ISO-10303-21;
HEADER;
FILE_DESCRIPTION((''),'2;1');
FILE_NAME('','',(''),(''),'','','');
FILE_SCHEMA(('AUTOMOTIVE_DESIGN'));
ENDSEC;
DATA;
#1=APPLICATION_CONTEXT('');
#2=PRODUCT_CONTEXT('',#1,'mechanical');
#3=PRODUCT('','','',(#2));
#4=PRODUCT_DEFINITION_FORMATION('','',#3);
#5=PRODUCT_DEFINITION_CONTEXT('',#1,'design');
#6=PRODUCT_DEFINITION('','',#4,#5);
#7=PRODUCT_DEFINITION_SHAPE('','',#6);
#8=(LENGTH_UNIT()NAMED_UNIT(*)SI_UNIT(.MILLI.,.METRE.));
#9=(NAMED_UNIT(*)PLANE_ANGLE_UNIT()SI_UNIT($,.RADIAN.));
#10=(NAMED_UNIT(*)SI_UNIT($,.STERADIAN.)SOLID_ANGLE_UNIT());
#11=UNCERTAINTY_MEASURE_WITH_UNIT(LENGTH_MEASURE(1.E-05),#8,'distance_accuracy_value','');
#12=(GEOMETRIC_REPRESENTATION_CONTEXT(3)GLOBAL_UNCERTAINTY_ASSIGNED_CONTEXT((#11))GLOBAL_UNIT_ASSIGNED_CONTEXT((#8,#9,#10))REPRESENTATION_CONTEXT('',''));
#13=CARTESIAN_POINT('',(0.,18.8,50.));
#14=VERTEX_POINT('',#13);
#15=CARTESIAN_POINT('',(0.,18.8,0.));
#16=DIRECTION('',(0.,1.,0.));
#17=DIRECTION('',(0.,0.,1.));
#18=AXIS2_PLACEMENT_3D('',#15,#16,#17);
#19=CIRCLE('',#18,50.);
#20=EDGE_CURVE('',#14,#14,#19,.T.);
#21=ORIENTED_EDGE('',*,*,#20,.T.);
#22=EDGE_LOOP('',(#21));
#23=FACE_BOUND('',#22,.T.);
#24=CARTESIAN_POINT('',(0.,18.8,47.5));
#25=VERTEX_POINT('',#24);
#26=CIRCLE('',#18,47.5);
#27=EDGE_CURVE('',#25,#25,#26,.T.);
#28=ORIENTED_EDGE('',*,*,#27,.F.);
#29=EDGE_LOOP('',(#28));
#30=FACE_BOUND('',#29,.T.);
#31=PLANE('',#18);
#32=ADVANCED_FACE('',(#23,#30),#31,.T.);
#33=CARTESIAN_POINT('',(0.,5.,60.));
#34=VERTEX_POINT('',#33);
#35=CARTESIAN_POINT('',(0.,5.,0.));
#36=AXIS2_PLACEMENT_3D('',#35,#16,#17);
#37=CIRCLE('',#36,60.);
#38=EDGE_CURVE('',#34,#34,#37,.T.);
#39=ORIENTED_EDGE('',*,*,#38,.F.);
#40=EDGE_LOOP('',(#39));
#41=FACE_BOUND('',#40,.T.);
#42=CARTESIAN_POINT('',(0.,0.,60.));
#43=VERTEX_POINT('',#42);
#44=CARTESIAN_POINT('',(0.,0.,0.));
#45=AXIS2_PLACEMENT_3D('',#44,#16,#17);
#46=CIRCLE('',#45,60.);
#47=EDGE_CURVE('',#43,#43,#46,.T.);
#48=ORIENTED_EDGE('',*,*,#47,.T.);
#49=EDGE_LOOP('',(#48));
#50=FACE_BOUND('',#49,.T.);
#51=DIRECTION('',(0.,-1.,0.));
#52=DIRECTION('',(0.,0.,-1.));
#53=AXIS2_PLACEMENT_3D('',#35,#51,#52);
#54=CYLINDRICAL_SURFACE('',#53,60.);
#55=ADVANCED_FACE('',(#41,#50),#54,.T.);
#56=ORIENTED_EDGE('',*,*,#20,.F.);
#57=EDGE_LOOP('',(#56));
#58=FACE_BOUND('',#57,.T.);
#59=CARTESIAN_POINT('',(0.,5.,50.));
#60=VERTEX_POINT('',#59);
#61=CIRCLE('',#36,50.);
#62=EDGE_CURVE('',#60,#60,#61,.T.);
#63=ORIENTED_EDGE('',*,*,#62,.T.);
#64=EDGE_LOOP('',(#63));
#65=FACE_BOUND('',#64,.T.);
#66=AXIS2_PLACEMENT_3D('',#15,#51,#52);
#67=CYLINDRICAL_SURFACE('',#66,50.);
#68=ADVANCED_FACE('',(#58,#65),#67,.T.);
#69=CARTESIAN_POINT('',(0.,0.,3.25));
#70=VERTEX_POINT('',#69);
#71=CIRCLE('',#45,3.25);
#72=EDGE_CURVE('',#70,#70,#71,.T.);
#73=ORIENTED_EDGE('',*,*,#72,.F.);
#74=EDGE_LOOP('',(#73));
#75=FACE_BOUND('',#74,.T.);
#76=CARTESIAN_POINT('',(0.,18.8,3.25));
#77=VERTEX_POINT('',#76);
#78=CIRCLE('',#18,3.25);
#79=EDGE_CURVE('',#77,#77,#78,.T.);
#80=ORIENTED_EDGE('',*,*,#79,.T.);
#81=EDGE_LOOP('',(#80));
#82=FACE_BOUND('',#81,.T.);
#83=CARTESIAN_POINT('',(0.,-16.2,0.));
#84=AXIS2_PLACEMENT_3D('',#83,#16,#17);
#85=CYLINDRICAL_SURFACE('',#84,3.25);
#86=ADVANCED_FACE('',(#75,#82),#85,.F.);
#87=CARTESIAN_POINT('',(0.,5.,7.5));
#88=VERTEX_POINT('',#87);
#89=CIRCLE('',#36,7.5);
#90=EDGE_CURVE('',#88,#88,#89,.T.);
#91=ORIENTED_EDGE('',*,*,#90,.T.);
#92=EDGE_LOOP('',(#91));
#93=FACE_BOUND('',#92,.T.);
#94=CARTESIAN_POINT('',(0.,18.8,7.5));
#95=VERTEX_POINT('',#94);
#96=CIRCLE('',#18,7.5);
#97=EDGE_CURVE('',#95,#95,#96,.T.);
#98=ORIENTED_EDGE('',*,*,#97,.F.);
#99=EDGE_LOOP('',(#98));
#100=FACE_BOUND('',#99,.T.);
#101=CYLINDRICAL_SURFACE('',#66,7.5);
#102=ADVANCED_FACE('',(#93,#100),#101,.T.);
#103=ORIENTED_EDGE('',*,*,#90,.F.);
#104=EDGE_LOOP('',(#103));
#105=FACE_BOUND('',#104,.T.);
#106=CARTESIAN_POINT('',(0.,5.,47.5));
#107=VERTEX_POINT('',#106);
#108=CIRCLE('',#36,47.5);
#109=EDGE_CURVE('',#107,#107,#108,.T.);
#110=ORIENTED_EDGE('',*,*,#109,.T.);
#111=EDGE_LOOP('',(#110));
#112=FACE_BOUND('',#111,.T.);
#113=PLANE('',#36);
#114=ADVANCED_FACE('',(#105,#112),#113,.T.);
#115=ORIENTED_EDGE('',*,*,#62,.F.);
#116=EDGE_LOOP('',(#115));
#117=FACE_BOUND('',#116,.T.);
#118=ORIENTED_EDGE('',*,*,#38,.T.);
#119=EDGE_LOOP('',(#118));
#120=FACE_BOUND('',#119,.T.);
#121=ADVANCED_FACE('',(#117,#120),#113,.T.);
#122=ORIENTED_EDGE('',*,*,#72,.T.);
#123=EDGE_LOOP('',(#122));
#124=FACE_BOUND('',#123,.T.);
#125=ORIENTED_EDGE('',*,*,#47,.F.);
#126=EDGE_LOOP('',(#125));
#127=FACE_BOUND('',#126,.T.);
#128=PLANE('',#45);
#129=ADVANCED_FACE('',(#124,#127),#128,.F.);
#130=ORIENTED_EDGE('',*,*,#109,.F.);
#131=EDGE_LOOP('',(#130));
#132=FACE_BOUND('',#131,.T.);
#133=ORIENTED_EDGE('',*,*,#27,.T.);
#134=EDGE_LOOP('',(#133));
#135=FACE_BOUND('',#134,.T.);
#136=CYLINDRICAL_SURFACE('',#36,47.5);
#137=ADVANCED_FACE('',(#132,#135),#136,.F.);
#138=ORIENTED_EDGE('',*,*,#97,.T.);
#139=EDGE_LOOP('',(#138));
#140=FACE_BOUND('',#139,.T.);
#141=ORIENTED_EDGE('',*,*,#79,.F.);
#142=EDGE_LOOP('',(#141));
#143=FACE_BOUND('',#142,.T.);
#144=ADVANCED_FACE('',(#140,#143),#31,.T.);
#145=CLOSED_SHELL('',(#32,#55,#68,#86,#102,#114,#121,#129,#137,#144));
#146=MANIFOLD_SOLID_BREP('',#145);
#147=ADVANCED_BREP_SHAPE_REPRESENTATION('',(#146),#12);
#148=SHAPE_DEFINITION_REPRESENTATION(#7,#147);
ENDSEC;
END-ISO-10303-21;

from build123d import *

# Parameters (mm, degrees)
SKETCH1_R           = 60
BOSS_EXTRUDE1_DEPTH = 5
SKETCH2_R           = 50
BOSS_EXTRUDE2_DEPTH = 13.8
SKETCH3_R           = 47.5
CUT_EXTRUDE1_DEPTH  = 13.8
SKETCH4_R           = 7.5
BOSS_EXTRUDE3_DEPTH = 13.8
SKETCH6_R           = 3.25
CUT_EXTRUDE2_DEPTH  = 35


with BuildPart() as part:
    # Sketch1 → Boss-Extrude1 (new body)
    with BuildSketch(Plane(origin=(0, 0, 0), x_dir=(1, 0, 0), z_dir=(0, 1, 0))):
        Circle(SKETCH1_R)
    extrude(amount=BOSS_EXTRUDE1_DEPTH)

    # Sketch2 → Boss-Extrude2 (add)
    with BuildSketch(Plane(origin=(0, 5, 0), x_dir=(1, 0, 0), z_dir=(0, 1, 0))):
        Circle(SKETCH2_R)
    extrude(amount=BOSS_EXTRUDE2_DEPTH)

    # Sketch3 → Cut-Extrude1 (cut)
    with BuildSketch(Plane(origin=(0, 18.8, 0), x_dir=(1, 0, 0), z_dir=(0, 1, 0))):
        Circle(SKETCH3_R)
    extrude(amount=-CUT_EXTRUDE1_DEPTH, mode=Mode.SUBTRACT)

    # Sketch4 → Boss-Extrude3 (add)
    with BuildSketch(Plane(origin=(0, 5, 0), x_dir=(1, 0, 0), z_dir=(0, 1, 0))):
        Circle(SKETCH4_R)
    extrude(amount=BOSS_EXTRUDE3_DEPTH)

    # Sketch6 → Cut-Extrude2 (cut)
    with BuildSketch(Plane(origin=(0, 18.8, 0), x_dir=(1, 0, 0), z_dir=(0, 1, 0))):
        Circle(SKETCH6_R)
    extrude(amount=-CUT_EXTRUDE2_DEPTH, mode=Mode.SUBTRACT)


solid = part.part
